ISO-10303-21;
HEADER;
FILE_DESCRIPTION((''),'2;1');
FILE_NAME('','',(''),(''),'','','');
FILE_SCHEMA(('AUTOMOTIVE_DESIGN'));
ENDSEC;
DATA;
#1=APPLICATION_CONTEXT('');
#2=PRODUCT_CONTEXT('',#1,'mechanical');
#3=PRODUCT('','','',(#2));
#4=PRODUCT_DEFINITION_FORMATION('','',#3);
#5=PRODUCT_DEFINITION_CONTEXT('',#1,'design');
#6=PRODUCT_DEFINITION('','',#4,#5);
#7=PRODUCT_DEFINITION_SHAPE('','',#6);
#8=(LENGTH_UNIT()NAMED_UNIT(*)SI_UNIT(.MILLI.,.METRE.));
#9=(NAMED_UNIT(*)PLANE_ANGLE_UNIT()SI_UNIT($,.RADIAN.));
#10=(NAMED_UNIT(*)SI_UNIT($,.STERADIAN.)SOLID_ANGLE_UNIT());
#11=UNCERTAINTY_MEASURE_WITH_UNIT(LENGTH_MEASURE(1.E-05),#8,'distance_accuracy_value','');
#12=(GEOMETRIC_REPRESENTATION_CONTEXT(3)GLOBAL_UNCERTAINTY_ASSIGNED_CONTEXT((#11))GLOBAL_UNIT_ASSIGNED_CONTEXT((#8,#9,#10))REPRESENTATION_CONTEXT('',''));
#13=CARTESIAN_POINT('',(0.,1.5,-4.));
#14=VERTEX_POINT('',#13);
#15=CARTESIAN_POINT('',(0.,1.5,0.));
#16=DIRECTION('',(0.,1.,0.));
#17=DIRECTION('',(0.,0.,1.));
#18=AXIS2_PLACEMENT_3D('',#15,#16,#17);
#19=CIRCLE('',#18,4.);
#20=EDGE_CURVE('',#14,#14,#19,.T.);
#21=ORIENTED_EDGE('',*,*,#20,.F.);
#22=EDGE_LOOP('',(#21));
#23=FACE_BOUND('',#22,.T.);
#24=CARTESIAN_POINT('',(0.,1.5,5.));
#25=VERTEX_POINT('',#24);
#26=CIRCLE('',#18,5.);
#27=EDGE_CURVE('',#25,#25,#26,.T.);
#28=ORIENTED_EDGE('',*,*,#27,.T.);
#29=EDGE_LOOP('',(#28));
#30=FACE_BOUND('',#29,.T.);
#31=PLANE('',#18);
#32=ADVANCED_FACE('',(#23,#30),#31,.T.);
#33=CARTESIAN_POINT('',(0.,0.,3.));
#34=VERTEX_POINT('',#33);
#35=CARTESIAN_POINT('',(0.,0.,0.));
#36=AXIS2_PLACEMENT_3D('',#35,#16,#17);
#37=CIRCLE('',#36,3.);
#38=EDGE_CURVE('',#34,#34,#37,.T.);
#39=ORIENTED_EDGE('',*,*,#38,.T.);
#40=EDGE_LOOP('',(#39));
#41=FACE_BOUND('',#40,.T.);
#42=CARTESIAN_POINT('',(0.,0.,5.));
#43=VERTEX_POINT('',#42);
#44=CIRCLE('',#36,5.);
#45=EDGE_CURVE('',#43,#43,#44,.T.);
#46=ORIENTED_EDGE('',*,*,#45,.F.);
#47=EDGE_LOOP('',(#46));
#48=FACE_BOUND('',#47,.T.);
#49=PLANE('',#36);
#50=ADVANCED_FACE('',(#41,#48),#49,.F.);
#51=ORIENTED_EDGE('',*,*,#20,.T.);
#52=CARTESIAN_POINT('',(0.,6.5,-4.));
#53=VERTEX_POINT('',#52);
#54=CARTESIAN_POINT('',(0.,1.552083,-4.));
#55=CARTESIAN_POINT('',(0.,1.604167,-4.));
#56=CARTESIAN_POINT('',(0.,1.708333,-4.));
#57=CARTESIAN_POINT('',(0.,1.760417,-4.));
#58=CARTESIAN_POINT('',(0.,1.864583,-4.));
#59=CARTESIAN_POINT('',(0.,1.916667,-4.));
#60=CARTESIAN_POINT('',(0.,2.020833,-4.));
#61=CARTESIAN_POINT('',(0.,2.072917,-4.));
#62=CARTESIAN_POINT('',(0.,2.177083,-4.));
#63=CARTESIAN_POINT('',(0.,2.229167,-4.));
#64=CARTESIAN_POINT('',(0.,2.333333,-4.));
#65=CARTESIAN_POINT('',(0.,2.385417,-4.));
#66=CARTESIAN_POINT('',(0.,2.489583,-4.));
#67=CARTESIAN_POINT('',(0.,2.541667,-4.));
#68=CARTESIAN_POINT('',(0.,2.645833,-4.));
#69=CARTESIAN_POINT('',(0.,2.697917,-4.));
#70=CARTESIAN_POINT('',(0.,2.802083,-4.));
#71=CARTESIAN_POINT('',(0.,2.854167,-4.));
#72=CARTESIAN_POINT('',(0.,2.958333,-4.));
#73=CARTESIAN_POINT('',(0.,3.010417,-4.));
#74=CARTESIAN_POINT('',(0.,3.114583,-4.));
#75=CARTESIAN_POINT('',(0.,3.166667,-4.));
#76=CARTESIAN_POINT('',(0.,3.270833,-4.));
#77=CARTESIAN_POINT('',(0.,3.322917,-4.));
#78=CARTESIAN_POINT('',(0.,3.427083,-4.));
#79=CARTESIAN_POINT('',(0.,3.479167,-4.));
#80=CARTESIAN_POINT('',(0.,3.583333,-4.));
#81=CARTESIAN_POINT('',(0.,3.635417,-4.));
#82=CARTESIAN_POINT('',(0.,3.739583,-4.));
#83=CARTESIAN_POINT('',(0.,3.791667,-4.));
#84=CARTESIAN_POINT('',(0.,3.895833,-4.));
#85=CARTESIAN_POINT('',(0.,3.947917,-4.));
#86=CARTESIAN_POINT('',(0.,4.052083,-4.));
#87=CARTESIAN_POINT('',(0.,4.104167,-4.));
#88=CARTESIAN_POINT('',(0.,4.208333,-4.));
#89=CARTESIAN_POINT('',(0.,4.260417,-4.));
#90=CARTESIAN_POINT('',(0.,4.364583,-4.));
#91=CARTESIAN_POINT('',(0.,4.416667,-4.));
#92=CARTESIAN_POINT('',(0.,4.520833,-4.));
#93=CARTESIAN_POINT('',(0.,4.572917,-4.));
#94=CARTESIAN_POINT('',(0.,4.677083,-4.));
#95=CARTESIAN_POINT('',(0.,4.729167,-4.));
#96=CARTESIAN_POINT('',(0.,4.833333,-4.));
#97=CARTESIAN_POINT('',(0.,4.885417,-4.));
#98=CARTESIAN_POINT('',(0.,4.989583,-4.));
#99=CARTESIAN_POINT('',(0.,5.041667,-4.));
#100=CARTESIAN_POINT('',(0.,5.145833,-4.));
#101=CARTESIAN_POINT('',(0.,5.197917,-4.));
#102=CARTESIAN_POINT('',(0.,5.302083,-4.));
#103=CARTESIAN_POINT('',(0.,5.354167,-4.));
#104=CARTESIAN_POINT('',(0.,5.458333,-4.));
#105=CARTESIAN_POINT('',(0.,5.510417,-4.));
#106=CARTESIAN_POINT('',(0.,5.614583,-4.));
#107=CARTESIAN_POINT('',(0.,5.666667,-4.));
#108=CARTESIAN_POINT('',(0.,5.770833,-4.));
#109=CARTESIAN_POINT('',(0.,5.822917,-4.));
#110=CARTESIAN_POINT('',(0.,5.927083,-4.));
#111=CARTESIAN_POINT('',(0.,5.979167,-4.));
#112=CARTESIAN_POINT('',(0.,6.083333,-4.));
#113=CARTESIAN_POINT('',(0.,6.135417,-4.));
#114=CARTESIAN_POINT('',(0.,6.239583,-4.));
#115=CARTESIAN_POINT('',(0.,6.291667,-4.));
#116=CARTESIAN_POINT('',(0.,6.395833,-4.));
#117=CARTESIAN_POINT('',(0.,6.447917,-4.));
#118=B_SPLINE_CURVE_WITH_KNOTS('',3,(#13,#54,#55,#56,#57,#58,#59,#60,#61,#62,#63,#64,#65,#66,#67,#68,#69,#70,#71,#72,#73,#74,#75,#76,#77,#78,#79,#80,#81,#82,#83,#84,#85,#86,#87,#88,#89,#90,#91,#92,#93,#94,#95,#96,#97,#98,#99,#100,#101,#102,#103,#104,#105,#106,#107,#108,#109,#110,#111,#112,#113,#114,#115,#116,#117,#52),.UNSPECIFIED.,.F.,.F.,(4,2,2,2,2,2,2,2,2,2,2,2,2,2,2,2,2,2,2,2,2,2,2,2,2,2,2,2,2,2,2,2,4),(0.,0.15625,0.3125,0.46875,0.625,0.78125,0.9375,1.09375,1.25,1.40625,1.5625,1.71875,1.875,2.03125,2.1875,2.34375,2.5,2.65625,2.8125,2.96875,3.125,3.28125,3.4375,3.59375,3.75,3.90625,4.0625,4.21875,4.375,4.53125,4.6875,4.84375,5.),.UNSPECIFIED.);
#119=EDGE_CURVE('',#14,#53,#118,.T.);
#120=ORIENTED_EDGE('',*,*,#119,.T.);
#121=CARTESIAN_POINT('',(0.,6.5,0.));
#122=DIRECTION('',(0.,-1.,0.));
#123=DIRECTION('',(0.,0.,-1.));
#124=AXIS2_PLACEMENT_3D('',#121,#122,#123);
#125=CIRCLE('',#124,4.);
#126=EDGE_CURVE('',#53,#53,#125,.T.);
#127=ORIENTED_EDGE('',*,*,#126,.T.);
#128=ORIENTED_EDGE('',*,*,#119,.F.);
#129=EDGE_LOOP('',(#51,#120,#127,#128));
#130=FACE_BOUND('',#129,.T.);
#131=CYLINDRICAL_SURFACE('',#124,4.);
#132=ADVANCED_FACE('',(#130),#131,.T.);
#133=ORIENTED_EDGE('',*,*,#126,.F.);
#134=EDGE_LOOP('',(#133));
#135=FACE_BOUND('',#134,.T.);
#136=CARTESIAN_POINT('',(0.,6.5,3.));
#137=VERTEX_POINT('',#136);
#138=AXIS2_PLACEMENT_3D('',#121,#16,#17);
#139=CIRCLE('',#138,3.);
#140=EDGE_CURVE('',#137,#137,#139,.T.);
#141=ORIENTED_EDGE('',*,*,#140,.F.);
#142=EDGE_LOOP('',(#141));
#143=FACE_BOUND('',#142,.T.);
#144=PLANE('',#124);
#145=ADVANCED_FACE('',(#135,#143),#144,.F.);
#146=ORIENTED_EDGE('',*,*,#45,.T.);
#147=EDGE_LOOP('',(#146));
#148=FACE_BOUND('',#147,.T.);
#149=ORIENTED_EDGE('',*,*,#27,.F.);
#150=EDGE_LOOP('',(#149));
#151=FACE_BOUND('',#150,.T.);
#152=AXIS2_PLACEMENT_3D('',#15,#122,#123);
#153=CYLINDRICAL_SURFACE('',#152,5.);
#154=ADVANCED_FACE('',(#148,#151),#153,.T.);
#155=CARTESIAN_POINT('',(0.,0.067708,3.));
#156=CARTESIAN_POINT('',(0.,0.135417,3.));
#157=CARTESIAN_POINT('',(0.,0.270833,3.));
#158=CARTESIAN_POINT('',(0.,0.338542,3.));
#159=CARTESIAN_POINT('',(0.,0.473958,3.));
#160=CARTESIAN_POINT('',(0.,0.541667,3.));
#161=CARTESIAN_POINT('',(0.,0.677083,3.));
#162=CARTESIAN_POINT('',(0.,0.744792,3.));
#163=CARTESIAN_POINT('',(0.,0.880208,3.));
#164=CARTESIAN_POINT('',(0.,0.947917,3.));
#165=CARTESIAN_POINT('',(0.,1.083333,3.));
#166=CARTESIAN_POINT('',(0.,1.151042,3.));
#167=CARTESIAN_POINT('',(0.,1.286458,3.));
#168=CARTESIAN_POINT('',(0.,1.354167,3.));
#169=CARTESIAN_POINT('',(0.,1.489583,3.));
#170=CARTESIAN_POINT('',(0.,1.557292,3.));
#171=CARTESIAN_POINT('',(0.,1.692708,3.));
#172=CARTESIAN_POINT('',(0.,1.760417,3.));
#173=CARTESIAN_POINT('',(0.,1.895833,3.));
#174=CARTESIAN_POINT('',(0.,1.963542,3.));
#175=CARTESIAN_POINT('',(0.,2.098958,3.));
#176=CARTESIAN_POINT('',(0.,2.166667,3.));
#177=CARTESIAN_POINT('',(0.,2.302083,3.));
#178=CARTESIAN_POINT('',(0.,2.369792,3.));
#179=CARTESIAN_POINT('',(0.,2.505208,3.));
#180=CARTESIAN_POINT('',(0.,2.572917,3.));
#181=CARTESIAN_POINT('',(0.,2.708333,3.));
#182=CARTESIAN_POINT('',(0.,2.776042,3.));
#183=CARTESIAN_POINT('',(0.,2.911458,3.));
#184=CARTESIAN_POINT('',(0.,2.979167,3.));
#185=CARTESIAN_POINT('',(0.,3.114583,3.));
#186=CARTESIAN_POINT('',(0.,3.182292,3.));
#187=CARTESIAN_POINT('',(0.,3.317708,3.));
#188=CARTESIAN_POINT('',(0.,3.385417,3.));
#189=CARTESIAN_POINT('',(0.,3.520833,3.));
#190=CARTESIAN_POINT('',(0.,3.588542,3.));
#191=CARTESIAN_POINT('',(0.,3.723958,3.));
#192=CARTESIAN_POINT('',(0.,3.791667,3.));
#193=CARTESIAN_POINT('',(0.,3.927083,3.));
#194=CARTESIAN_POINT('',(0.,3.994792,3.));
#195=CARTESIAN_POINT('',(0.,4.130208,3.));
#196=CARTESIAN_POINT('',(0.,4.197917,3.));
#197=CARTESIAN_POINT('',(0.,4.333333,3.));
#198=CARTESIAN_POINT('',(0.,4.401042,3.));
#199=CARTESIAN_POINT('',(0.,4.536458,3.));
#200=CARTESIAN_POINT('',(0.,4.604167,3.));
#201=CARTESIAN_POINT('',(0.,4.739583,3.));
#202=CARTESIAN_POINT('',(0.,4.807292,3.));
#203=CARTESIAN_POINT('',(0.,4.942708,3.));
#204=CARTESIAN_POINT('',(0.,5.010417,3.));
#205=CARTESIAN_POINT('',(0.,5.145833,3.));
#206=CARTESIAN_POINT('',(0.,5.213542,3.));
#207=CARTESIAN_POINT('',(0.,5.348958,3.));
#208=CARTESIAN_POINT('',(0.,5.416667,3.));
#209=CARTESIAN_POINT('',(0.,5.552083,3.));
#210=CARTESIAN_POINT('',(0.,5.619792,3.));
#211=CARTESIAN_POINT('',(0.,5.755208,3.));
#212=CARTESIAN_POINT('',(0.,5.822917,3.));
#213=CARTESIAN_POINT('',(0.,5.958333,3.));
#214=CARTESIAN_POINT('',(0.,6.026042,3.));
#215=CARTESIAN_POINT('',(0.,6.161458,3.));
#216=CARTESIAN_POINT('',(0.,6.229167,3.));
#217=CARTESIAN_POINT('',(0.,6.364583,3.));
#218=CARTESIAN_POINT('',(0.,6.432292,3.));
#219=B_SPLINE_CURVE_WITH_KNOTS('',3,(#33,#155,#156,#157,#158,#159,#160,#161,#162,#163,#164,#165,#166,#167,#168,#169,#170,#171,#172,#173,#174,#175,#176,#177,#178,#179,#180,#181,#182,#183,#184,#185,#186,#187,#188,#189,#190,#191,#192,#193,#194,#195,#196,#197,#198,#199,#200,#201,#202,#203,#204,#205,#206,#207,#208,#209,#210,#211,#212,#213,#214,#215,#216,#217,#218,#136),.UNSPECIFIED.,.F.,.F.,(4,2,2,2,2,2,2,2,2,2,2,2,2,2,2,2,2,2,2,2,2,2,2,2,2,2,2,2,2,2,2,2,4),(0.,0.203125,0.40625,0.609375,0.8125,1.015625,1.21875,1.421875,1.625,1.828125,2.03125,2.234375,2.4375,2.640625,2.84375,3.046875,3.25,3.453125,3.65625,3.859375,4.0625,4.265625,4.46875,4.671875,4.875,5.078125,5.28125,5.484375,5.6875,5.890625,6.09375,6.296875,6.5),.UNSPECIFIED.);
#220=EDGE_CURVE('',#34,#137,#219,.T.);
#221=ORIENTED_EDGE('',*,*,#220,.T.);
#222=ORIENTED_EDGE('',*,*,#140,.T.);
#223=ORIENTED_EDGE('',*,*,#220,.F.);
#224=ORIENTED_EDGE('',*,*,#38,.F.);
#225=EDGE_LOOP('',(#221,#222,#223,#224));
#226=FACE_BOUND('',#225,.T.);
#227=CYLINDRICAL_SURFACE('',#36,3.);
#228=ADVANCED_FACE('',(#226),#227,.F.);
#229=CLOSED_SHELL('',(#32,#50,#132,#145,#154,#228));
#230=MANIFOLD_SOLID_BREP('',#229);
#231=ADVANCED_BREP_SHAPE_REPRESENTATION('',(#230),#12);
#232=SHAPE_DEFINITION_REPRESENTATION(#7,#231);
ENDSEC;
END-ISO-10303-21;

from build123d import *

# Parameters (mm, degrees)
SKETCH2_R           = 5
BOSS_EXTRUDE1_DEPTH = 1.5
SKETCH3_R           = 4
BOSS_EXTRUDE2_DEPTH = 6.5
SKETCH4_R           = 3
CUT_EXTRUDE1_DEPTH  = 10.604686356


with BuildPart() as part:
    # Sketch2 → Boss-Extrude1 (new body)
    with BuildSketch(Plane(origin=(0, 0, 0), x_dir=(1, 0, 0), z_dir=(0, 1, 0))):
        with Locations(Location((0, 0, 0), (0, 0, 270))):
            Circle(SKETCH2_R)
    extrude(amount=BOSS_EXTRUDE1_DEPTH)

    # Sketch3 → Boss-Extrude2 (add)
    with BuildSketch(Plane.XZ):
        with Locations(Location((0, 0, 0), (0, 0, 270))):
            Circle(SKETCH3_R)
    extrude(amount=-BOSS_EXTRUDE2_DEPTH)

    # Sketch4 → Cut-Extrude1 (cut, through all)
    with BuildSketch(Plane(origin=(0, 6.5, 0), x_dir=(1, 0, 0), z_dir=(0, 1, 0))):
        with Locations(Location((0, 0, 0), (0, 0, 270))):
            Circle(SKETCH4_R)
    extrude(amount=-CUT_EXTRUDE1_DEPTH, mode=Mode.SUBTRACT)


solid = part.part
